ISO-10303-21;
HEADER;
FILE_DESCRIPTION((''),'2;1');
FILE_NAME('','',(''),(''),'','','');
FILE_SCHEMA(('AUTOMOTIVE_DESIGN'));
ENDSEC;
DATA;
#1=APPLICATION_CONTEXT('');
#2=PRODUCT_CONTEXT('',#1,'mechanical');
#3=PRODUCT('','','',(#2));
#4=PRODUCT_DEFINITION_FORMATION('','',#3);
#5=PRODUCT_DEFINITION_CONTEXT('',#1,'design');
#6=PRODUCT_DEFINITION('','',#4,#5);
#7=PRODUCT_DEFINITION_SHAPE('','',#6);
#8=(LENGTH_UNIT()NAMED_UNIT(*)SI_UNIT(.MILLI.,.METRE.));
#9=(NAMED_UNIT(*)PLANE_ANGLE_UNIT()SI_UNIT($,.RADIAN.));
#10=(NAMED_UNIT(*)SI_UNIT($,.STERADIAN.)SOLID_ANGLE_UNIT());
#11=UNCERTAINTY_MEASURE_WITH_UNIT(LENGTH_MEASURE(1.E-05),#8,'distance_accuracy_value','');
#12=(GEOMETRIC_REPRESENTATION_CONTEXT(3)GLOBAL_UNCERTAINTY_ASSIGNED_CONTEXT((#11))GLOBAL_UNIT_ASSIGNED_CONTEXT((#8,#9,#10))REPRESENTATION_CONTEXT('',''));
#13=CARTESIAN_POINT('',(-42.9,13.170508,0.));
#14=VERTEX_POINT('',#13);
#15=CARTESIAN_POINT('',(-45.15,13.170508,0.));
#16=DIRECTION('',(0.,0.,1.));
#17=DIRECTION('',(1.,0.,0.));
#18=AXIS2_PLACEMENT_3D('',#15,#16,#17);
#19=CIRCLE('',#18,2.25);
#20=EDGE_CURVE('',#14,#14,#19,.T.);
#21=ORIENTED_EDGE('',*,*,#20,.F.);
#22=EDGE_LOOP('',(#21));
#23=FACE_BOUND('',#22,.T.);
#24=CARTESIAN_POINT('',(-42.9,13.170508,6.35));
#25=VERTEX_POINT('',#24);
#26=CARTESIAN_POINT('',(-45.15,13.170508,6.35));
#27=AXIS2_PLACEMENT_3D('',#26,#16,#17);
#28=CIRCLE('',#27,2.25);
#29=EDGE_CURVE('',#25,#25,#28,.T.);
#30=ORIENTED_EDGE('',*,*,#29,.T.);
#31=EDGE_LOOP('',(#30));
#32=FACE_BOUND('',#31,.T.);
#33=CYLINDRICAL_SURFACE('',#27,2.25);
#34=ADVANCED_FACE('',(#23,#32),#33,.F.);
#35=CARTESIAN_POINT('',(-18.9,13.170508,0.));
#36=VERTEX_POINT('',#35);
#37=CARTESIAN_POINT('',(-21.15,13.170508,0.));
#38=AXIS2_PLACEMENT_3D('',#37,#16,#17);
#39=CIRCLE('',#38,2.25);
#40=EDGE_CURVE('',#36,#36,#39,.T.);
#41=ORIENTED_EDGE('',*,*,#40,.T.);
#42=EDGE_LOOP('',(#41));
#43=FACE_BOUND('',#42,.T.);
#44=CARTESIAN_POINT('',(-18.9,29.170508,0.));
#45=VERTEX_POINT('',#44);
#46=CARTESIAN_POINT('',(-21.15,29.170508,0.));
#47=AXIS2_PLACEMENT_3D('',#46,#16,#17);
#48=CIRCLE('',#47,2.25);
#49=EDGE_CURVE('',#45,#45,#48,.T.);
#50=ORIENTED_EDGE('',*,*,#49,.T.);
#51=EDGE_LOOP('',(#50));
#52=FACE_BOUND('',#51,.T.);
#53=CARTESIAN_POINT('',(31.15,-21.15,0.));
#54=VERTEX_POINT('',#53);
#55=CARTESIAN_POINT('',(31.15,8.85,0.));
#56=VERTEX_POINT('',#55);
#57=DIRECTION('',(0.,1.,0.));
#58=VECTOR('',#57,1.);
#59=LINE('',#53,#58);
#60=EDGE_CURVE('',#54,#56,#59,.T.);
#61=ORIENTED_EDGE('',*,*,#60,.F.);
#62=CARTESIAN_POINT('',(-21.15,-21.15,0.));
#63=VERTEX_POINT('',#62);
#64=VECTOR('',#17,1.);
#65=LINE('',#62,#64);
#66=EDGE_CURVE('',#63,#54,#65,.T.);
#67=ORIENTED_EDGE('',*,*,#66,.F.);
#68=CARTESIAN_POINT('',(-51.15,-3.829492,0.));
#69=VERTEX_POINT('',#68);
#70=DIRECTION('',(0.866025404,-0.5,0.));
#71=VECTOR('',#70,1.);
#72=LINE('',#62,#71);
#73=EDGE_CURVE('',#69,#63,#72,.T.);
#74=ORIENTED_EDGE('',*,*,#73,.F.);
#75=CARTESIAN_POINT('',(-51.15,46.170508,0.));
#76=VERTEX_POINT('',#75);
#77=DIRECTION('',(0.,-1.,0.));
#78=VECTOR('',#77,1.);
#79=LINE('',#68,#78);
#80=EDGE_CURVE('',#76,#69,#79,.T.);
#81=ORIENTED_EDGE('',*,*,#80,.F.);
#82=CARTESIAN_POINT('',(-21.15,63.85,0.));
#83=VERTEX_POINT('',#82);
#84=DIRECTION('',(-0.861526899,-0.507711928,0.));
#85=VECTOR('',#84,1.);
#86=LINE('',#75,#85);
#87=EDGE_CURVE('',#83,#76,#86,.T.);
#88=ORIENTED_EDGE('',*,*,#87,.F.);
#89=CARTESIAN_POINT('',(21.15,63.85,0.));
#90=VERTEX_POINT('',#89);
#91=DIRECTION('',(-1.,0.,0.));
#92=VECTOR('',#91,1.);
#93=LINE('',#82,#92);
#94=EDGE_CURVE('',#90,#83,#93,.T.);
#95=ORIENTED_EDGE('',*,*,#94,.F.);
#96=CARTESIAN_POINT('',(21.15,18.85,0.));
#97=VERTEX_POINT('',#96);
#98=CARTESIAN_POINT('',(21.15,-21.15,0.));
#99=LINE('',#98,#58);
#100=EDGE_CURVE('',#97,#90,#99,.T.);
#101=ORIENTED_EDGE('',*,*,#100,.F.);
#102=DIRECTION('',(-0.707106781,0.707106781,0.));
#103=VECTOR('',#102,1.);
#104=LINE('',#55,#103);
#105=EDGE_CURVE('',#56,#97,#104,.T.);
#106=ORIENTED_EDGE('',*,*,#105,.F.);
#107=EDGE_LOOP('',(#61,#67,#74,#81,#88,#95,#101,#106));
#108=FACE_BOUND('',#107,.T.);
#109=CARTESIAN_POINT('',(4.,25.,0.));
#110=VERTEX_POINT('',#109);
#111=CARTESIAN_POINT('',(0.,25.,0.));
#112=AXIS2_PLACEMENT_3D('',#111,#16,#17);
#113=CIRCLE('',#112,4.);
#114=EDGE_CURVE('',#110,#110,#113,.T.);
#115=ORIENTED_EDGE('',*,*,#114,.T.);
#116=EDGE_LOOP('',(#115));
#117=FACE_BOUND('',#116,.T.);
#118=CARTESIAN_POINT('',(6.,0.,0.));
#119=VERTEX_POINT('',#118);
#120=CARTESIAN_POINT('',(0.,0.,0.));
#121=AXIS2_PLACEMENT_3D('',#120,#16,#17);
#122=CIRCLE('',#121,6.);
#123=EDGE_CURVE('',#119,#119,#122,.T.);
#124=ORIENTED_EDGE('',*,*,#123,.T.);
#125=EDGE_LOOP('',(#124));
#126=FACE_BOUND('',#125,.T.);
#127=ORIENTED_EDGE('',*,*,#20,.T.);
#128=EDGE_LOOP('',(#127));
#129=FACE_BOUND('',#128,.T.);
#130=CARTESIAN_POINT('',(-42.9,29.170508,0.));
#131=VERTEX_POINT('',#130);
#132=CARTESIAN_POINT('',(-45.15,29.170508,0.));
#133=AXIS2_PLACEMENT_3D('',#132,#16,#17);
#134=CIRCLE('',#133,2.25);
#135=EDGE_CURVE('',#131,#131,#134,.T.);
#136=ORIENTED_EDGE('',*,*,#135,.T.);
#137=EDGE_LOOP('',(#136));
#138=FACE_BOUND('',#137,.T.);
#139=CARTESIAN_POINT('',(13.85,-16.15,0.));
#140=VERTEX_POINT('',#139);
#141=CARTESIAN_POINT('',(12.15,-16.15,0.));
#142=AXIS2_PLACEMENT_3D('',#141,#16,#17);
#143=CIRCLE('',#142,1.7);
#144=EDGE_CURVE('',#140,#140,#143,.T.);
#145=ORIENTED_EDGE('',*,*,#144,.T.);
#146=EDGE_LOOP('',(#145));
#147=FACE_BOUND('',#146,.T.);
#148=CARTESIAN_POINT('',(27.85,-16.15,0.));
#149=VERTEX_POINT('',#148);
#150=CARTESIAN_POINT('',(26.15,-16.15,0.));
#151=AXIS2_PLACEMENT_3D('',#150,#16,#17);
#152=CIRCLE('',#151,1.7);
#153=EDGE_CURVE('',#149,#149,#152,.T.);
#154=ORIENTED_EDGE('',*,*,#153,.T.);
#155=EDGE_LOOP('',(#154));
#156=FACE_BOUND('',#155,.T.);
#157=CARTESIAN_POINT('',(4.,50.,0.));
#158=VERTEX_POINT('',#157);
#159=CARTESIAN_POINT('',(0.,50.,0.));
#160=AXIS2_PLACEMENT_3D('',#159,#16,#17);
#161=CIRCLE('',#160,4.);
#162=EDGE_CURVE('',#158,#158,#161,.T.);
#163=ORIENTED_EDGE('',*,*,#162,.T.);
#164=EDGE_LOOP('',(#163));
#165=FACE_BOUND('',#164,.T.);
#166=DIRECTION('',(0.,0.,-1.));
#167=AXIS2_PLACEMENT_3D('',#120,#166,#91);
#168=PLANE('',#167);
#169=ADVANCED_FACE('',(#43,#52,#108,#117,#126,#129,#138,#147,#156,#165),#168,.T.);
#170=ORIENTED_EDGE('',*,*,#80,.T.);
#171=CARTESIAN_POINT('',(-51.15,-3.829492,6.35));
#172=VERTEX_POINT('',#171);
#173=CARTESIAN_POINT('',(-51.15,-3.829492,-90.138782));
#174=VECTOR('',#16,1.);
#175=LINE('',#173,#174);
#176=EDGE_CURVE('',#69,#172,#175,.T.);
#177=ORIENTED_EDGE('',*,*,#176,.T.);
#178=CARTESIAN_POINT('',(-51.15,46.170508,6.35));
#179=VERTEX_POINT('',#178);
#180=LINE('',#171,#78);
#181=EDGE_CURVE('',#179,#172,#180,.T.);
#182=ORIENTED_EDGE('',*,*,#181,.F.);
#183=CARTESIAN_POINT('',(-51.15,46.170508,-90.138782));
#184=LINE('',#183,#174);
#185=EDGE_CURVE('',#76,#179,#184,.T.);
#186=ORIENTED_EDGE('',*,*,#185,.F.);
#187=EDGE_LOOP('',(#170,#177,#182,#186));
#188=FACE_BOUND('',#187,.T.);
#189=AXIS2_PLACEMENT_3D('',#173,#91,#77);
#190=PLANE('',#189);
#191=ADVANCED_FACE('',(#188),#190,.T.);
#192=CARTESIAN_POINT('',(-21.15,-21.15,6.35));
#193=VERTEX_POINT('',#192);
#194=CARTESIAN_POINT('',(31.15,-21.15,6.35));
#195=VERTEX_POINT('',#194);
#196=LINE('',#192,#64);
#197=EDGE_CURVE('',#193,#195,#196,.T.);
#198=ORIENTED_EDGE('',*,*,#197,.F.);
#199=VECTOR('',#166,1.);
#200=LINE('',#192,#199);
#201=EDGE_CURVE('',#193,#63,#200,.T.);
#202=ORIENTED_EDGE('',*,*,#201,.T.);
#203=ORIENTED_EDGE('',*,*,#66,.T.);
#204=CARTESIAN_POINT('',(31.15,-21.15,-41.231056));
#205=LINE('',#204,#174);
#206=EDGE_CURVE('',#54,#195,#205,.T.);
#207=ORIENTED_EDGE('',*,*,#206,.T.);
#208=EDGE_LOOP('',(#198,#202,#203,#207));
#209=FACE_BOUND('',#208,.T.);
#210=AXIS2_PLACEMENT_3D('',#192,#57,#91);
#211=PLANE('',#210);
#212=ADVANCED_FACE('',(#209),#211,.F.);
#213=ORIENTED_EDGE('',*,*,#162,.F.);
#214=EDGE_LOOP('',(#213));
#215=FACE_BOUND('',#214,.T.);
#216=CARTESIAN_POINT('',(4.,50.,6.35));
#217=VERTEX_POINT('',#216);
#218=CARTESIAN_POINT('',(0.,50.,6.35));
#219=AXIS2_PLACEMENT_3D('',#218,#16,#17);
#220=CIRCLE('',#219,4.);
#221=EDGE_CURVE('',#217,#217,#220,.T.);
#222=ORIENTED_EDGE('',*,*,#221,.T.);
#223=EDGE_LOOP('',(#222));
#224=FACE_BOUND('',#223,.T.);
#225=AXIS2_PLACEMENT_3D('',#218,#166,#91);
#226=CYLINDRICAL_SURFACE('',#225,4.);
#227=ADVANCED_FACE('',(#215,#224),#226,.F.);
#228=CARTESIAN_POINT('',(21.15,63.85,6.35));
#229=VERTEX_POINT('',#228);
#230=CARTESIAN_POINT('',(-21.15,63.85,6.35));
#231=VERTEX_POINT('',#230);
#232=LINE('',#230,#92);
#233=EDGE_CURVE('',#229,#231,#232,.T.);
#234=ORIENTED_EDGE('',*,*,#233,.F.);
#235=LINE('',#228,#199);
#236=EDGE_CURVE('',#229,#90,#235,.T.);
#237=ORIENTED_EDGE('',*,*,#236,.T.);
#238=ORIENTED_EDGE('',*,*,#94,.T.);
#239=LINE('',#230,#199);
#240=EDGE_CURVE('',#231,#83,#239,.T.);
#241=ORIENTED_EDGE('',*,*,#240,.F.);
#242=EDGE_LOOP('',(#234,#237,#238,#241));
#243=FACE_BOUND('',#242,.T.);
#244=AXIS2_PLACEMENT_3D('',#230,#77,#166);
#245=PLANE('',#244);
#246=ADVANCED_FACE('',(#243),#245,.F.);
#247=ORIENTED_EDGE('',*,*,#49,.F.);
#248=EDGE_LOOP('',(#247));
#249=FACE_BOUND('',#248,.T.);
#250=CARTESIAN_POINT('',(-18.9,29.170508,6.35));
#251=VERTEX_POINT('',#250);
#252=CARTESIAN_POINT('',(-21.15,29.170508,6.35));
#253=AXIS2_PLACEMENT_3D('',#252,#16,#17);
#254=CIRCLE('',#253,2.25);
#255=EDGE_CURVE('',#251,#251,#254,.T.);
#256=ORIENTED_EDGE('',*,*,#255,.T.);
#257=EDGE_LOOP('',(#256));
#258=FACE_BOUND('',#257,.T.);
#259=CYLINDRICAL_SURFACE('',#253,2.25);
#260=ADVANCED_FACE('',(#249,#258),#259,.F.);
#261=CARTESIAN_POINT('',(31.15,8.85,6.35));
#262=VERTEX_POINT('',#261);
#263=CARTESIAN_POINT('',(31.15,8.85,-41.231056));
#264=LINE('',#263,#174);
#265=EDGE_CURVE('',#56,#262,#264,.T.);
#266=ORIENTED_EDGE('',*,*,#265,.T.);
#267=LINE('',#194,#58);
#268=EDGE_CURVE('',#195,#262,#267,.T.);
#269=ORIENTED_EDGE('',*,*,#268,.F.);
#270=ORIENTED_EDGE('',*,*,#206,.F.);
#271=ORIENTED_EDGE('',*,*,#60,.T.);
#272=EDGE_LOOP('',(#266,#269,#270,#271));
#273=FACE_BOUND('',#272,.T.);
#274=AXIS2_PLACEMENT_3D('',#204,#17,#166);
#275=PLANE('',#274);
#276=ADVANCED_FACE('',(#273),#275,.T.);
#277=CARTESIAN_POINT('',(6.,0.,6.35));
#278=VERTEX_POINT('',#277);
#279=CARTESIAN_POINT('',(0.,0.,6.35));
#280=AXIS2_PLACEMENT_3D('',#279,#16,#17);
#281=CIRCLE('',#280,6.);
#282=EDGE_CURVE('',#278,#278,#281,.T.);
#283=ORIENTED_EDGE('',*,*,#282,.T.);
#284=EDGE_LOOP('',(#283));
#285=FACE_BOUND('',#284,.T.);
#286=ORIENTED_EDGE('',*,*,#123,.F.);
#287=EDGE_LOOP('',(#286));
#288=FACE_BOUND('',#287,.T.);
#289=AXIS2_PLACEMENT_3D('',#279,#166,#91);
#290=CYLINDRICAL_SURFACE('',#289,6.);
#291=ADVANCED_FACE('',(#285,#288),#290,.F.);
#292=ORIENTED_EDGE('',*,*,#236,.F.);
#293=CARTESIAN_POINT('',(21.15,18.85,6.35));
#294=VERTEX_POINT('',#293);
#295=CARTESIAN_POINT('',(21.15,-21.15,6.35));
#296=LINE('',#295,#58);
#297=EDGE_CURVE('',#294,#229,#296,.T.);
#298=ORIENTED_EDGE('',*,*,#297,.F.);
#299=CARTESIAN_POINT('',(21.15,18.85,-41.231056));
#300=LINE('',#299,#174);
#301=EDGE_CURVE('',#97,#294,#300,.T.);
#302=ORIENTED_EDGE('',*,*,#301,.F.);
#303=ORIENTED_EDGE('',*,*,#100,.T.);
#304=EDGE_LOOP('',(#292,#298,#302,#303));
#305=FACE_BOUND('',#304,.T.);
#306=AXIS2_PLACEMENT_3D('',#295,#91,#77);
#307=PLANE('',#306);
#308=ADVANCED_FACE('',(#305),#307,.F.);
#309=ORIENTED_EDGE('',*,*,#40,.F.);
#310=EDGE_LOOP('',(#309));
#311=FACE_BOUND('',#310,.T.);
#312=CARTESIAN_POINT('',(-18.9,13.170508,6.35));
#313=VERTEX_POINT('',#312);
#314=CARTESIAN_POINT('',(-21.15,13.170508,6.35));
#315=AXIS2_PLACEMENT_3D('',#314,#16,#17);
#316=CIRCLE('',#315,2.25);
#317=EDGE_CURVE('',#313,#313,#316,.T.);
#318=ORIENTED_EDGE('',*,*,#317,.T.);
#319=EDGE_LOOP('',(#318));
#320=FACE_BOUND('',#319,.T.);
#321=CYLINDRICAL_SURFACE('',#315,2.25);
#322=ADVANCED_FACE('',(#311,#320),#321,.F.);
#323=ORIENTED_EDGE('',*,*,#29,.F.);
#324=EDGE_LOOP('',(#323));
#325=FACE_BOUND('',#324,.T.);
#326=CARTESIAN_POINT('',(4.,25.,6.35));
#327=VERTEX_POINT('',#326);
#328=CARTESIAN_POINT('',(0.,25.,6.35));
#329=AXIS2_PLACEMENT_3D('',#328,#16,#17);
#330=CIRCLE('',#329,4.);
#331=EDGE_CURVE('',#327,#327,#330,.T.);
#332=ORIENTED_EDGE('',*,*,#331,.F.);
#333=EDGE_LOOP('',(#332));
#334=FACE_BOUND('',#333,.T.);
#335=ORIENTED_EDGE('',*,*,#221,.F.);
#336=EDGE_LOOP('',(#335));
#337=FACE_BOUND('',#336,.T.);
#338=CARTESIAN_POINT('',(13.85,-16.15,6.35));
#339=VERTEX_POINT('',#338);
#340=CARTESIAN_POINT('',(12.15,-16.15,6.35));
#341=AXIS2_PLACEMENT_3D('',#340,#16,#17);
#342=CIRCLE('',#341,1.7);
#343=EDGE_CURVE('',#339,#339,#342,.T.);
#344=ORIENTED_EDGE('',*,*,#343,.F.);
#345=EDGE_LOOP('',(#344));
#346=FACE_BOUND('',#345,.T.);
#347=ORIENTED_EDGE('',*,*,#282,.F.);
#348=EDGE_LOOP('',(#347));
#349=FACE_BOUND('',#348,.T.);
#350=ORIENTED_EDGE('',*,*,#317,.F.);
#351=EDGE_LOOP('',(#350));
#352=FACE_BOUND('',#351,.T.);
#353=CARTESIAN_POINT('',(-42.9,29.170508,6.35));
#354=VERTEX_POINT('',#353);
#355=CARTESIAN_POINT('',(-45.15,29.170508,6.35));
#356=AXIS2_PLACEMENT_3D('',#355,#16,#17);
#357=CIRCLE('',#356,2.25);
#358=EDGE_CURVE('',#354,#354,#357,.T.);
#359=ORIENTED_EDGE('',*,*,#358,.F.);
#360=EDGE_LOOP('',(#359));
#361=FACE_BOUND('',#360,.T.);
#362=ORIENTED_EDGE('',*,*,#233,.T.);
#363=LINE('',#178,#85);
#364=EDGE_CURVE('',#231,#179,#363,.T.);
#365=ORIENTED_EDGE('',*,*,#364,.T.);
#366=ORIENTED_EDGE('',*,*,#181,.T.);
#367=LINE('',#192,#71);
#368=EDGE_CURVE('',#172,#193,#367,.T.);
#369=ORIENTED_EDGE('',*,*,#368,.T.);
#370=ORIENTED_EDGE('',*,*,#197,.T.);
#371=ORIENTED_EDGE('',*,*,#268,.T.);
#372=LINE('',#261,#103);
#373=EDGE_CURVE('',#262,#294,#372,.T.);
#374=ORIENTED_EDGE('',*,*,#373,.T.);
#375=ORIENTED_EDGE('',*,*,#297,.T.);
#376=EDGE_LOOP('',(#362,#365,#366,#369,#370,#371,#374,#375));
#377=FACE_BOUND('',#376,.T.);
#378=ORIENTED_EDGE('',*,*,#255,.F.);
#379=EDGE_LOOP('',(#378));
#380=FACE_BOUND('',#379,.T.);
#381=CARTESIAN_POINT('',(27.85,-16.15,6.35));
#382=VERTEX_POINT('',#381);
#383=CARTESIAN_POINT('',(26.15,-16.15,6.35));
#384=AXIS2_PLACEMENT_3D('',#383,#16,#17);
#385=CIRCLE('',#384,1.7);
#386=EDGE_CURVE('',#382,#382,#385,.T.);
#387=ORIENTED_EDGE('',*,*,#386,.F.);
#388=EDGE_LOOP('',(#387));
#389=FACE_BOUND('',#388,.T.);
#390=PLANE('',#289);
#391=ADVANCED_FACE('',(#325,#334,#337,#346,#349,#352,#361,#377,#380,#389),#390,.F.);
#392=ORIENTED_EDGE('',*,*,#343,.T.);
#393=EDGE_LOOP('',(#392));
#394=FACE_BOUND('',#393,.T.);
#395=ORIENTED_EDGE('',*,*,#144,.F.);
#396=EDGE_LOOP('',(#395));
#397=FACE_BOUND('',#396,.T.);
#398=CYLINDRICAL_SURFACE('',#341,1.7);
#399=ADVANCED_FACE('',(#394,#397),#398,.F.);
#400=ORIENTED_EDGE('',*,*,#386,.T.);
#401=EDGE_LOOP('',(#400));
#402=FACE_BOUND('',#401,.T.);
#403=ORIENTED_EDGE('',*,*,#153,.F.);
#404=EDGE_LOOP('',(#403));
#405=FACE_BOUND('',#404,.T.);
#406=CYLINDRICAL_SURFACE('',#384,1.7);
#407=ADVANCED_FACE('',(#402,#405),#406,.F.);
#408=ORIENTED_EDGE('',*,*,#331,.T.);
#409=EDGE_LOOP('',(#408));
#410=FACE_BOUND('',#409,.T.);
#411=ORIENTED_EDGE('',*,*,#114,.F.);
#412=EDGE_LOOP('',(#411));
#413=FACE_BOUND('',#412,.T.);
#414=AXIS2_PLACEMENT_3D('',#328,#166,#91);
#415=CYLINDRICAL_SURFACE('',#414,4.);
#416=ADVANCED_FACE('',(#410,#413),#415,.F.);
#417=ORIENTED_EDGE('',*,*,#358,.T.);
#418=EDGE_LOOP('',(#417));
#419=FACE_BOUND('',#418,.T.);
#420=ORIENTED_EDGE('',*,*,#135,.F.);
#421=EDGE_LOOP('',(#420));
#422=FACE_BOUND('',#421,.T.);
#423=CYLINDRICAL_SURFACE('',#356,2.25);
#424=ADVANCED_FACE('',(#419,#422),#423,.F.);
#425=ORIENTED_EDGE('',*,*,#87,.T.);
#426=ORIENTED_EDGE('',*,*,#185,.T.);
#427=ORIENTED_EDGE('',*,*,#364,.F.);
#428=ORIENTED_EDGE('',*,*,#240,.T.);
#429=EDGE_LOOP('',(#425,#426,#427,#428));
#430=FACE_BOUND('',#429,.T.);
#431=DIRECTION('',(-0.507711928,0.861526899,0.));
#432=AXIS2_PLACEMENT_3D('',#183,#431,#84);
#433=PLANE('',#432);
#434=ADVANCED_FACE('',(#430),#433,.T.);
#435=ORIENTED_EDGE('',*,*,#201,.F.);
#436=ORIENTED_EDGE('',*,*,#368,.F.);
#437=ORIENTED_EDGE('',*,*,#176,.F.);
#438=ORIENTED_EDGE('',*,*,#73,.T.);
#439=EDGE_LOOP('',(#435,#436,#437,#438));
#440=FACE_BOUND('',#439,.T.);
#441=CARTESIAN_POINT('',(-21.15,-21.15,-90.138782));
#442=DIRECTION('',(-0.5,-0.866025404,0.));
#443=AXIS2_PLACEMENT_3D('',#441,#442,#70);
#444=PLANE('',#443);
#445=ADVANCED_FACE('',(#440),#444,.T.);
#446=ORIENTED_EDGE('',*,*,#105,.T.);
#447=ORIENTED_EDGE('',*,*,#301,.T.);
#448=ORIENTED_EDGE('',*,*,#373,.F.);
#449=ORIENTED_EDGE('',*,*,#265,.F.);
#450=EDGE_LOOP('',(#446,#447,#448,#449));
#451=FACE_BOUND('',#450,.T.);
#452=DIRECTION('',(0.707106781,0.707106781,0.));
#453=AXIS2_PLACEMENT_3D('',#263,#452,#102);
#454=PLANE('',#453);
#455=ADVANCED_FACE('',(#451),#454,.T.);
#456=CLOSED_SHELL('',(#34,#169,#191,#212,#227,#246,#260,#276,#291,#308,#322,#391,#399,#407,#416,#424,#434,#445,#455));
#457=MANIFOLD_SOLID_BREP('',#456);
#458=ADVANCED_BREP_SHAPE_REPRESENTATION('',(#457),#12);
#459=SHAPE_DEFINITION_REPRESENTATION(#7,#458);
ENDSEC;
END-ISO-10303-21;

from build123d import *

# Parameters (mm, degrees)
SKETCH2_W            = 42.3
SKETCH2_H            = 85
SKETCH2_R            = 6
SKETCH2_R_2          = 4
BOSS_EXTRUDE1_DEPTH  = 6.35
BOSS_EXTRUDE2_DEPTH  = 6.35
M4_CLEARANCE_HOLE1_D = 4.5
BOSS_EXTRUDE3_DEPTH  = 6.35
M3_CLEARANCE_HOLE2_D = 3.4


with BuildPart() as part:
    # Sketch2 → Boss-Extrude1 (new body)
    with BuildSketch(Plane.XY):
        with Locations((0, 21.35)):
            Rectangle(SKETCH2_W, SKETCH2_H)
        Circle(SKETCH2_R, mode=Mode.SUBTRACT)
        with Locations((0, 25)):
            Circle(SKETCH2_R_2, mode=Mode.SUBTRACT)
        with Locations((0, 50)):
            Circle(SKETCH2_R_2, mode=Mode.SUBTRACT)
    extrude(amount=BOSS_EXTRUDE1_DEPTH)

    # Sketch8 → Boss-Extrude2 (add)
    with BuildSketch(Plane.XY.offset(6.35)):
        Polygon((-21.15, -21.15), (-51.15, -3.829491924), (-51.15, 46.170508076), (-21.15, 63.85), align=None)
    extrude(amount=-BOSS_EXTRUDE2_DEPTH)

    # M4 Clearance Hole1 (through all)
    with Locations(Plane.XY.offset(6.35)):
        with Locations((-21.15, 13.170508076), (-21.15, 29.170508076), (-45.15, 13.170508076), (-45.15, 29.170508076)):
            Hole(M4_CLEARANCE_HOLE1_D / 2)

    # Sketch11 → Boss-Extrude3 (add)
    with BuildSketch(Plane.XY.offset(6.35)):
        Polygon((21.15, -21.15), (31.15, -21.15), (31.15, 8.85), (21.15, 18.85), align=None)
    extrude(amount=-BOSS_EXTRUDE3_DEPTH)

    # M3 Clearance Hole2 (through all)
    with Locations(Plane.XY.offset(6.35)):
        with Locations((12.15, -16.15), (26.15, -16.15)):
            Hole(M3_CLEARANCE_HOLE2_D / 2)


solid = part.part
